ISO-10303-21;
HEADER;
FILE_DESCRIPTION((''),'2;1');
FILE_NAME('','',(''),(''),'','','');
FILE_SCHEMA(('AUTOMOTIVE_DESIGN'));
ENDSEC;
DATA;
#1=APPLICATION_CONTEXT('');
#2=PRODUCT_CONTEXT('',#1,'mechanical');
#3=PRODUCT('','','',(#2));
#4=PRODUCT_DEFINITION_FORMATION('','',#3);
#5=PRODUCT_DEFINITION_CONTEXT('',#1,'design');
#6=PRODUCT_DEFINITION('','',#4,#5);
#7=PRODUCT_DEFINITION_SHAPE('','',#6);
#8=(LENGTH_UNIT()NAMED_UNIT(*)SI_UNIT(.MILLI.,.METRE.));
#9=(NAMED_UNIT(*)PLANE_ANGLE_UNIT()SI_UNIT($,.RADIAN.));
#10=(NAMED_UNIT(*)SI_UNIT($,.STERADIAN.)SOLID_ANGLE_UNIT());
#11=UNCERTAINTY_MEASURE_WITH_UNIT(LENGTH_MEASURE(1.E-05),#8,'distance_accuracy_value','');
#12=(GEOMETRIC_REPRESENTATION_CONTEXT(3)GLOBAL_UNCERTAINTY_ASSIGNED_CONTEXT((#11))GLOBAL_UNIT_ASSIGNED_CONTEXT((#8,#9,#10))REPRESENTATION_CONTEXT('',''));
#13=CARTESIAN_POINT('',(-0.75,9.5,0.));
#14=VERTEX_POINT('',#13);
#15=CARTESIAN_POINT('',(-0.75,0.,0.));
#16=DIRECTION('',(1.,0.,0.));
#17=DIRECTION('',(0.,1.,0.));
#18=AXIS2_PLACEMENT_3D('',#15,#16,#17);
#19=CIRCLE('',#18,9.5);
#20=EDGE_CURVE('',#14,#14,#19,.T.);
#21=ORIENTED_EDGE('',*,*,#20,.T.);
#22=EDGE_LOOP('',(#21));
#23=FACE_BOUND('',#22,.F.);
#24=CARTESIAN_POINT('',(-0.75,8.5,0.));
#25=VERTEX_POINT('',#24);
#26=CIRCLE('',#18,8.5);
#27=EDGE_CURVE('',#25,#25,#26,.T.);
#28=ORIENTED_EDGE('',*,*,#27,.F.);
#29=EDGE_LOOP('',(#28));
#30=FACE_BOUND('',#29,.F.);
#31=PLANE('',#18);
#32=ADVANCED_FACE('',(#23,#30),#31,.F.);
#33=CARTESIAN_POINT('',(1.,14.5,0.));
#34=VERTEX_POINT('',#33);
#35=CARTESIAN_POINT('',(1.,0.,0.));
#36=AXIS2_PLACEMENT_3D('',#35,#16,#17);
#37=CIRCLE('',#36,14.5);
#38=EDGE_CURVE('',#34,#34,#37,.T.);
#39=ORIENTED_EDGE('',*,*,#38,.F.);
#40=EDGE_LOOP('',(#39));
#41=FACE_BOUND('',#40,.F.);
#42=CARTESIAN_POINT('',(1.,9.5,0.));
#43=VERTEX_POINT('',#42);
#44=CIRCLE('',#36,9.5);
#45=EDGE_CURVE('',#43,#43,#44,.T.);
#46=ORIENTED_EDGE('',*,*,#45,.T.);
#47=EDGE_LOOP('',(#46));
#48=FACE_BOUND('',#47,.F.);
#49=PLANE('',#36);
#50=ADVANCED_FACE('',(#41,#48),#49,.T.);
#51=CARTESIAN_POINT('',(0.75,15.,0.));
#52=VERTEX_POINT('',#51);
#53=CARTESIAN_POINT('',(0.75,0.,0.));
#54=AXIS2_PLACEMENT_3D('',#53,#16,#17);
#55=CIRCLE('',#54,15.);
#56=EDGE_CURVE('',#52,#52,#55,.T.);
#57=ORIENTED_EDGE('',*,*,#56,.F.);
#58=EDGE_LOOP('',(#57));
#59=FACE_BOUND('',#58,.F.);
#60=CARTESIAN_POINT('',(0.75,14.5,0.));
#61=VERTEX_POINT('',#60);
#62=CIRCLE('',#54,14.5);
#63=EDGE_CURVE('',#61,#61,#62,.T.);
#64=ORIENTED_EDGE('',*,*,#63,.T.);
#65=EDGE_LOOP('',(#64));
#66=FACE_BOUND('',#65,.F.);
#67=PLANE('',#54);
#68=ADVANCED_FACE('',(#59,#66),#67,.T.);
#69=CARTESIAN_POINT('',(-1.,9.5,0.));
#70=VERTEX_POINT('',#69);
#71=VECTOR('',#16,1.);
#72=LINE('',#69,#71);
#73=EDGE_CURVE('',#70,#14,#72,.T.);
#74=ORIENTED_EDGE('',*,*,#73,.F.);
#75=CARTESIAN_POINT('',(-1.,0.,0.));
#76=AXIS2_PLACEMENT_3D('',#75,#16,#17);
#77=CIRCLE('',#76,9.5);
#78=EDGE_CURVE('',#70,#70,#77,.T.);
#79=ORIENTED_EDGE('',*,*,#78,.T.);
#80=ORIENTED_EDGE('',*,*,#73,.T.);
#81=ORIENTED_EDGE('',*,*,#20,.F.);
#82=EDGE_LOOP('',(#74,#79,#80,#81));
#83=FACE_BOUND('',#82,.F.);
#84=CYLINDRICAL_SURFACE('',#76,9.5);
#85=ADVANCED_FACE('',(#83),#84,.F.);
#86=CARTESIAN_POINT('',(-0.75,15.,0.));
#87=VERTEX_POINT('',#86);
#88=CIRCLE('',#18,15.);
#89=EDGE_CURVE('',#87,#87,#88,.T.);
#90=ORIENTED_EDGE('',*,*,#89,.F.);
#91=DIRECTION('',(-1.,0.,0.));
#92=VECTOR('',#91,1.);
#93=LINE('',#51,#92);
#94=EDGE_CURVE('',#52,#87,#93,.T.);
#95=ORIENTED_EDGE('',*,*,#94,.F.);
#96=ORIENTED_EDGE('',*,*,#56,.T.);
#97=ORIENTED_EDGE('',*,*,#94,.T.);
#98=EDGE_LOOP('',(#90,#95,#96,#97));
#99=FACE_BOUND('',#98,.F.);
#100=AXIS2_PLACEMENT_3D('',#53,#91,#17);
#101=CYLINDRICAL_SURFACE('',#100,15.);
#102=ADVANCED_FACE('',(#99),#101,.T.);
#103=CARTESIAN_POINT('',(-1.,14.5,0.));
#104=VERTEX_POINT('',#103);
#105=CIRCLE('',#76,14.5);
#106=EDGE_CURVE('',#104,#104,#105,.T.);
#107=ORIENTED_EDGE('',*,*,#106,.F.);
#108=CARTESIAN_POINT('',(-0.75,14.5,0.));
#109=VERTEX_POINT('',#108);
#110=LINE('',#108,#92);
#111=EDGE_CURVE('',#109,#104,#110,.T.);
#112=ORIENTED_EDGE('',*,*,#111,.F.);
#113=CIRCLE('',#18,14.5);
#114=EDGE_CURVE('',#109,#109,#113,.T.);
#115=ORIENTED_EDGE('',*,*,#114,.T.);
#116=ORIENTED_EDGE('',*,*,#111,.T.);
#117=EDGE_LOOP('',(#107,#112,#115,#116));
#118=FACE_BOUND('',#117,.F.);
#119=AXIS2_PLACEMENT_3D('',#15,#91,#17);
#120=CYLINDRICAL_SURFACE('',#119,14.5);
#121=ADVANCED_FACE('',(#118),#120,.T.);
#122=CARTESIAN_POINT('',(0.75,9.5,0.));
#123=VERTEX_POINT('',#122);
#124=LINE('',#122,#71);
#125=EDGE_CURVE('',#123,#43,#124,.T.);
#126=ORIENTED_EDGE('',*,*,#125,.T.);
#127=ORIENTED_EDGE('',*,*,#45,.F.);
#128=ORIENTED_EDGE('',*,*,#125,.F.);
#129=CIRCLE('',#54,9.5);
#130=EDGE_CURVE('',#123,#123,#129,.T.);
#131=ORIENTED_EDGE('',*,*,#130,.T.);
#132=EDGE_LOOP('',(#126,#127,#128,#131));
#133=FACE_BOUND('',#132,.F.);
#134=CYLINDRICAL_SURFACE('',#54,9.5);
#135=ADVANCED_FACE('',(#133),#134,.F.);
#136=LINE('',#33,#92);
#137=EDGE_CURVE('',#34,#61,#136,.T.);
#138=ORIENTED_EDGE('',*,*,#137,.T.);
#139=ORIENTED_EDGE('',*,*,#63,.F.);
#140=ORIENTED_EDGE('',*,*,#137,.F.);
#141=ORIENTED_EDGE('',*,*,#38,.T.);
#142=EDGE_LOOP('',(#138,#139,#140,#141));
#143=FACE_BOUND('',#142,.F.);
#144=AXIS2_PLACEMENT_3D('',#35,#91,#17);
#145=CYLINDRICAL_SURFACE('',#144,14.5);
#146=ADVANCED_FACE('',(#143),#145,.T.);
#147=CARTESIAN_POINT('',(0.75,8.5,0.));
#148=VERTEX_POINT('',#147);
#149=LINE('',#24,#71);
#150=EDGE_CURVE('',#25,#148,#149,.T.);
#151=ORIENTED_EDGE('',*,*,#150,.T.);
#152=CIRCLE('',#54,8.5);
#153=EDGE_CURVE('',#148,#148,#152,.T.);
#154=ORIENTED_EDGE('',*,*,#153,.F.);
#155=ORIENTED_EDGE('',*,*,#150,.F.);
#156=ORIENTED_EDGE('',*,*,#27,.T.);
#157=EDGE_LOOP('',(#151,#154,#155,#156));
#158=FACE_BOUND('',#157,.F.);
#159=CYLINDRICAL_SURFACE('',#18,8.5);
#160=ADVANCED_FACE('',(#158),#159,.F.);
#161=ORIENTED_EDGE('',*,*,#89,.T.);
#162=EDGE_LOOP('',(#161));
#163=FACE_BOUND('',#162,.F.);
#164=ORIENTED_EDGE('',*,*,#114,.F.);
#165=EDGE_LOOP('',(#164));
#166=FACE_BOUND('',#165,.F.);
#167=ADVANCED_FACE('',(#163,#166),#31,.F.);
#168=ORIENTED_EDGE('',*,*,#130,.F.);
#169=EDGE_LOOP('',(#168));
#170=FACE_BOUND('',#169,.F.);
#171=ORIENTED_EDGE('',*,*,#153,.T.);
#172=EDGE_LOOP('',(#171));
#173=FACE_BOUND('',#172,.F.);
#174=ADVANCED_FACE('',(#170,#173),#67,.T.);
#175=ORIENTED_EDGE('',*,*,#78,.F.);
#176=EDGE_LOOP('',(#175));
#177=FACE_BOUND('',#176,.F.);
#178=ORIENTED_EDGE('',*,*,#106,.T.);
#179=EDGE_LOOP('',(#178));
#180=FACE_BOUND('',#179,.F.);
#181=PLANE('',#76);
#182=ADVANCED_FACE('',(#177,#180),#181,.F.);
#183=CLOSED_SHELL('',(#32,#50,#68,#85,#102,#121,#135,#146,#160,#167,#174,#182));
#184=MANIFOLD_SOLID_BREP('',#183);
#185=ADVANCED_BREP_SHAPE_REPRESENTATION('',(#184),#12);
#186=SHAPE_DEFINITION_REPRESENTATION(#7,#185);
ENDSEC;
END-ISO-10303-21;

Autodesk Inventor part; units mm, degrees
sketch "Sketch_1" plane through (0, 0, 0) normal (0, 0, 1) x (1, 0, 0)
  line L0 (50, 0) -> (-50, 0)
  line L1 (-1, 9.5) -> (-0.75, 9.5)
  line L2 (-0.75, 9.5) -> (-0.75, 8.5)
  line L3 (-0.75, 8.5) -> (0.75, 8.5)
  line L4 (0.75, 8.5) -> (0.75, 9.5)
  line L5 (0.75, 9.5) -> (1, 9.5)
  line L6 (1, 9.5) -> (1, 14.5)
  line L7 (1, 14.5) -> (0.75, 14.5)
  line L8 (0.75, 14.5) -> (0.75, 15)
  line L9 (0.75, 15) -> (-0.75, 15)
  line L10 (-0.75, 15) -> (-0.75, 14.5)
  line L11 (-0.75, 14.5) -> (-1, 14.5)
  line L12 (-1, 14.5) -> (-1, 9.5)
revolve "Revolution1" add sketch "Sketch_1" angle 360 about axis through (50, 0, 0) along (1, 0, 0)
ref_plane "core_to_washer_XY" through (0, 0, 0) normal (1, 0, 0) x (0, 0, -1)
ref_plane "core_to_washer_YZ" through (0, 0, 0) normal (0, 0, -1) x (0, 1, 0)
ref_plane "core_to_washer_ZX" through (0, 0, 0) normal (0, 1, 0) x (1, 0, 0)
ref_plane "core_to_washer1_XY" through (0, 0, 0) normal (-1, 0, 0) x (0, 0, -1)
ref_plane "core_to_washer1_YZ" through (0, 0, 0) normal (0, 0, -1) x (0, -1, 0)
ref_plane "core_to_washer1_ZX" through (0, 0, 0) normal (0, -1, 0) x (-1, 0, 0)
properties part number "core_BA1730"
